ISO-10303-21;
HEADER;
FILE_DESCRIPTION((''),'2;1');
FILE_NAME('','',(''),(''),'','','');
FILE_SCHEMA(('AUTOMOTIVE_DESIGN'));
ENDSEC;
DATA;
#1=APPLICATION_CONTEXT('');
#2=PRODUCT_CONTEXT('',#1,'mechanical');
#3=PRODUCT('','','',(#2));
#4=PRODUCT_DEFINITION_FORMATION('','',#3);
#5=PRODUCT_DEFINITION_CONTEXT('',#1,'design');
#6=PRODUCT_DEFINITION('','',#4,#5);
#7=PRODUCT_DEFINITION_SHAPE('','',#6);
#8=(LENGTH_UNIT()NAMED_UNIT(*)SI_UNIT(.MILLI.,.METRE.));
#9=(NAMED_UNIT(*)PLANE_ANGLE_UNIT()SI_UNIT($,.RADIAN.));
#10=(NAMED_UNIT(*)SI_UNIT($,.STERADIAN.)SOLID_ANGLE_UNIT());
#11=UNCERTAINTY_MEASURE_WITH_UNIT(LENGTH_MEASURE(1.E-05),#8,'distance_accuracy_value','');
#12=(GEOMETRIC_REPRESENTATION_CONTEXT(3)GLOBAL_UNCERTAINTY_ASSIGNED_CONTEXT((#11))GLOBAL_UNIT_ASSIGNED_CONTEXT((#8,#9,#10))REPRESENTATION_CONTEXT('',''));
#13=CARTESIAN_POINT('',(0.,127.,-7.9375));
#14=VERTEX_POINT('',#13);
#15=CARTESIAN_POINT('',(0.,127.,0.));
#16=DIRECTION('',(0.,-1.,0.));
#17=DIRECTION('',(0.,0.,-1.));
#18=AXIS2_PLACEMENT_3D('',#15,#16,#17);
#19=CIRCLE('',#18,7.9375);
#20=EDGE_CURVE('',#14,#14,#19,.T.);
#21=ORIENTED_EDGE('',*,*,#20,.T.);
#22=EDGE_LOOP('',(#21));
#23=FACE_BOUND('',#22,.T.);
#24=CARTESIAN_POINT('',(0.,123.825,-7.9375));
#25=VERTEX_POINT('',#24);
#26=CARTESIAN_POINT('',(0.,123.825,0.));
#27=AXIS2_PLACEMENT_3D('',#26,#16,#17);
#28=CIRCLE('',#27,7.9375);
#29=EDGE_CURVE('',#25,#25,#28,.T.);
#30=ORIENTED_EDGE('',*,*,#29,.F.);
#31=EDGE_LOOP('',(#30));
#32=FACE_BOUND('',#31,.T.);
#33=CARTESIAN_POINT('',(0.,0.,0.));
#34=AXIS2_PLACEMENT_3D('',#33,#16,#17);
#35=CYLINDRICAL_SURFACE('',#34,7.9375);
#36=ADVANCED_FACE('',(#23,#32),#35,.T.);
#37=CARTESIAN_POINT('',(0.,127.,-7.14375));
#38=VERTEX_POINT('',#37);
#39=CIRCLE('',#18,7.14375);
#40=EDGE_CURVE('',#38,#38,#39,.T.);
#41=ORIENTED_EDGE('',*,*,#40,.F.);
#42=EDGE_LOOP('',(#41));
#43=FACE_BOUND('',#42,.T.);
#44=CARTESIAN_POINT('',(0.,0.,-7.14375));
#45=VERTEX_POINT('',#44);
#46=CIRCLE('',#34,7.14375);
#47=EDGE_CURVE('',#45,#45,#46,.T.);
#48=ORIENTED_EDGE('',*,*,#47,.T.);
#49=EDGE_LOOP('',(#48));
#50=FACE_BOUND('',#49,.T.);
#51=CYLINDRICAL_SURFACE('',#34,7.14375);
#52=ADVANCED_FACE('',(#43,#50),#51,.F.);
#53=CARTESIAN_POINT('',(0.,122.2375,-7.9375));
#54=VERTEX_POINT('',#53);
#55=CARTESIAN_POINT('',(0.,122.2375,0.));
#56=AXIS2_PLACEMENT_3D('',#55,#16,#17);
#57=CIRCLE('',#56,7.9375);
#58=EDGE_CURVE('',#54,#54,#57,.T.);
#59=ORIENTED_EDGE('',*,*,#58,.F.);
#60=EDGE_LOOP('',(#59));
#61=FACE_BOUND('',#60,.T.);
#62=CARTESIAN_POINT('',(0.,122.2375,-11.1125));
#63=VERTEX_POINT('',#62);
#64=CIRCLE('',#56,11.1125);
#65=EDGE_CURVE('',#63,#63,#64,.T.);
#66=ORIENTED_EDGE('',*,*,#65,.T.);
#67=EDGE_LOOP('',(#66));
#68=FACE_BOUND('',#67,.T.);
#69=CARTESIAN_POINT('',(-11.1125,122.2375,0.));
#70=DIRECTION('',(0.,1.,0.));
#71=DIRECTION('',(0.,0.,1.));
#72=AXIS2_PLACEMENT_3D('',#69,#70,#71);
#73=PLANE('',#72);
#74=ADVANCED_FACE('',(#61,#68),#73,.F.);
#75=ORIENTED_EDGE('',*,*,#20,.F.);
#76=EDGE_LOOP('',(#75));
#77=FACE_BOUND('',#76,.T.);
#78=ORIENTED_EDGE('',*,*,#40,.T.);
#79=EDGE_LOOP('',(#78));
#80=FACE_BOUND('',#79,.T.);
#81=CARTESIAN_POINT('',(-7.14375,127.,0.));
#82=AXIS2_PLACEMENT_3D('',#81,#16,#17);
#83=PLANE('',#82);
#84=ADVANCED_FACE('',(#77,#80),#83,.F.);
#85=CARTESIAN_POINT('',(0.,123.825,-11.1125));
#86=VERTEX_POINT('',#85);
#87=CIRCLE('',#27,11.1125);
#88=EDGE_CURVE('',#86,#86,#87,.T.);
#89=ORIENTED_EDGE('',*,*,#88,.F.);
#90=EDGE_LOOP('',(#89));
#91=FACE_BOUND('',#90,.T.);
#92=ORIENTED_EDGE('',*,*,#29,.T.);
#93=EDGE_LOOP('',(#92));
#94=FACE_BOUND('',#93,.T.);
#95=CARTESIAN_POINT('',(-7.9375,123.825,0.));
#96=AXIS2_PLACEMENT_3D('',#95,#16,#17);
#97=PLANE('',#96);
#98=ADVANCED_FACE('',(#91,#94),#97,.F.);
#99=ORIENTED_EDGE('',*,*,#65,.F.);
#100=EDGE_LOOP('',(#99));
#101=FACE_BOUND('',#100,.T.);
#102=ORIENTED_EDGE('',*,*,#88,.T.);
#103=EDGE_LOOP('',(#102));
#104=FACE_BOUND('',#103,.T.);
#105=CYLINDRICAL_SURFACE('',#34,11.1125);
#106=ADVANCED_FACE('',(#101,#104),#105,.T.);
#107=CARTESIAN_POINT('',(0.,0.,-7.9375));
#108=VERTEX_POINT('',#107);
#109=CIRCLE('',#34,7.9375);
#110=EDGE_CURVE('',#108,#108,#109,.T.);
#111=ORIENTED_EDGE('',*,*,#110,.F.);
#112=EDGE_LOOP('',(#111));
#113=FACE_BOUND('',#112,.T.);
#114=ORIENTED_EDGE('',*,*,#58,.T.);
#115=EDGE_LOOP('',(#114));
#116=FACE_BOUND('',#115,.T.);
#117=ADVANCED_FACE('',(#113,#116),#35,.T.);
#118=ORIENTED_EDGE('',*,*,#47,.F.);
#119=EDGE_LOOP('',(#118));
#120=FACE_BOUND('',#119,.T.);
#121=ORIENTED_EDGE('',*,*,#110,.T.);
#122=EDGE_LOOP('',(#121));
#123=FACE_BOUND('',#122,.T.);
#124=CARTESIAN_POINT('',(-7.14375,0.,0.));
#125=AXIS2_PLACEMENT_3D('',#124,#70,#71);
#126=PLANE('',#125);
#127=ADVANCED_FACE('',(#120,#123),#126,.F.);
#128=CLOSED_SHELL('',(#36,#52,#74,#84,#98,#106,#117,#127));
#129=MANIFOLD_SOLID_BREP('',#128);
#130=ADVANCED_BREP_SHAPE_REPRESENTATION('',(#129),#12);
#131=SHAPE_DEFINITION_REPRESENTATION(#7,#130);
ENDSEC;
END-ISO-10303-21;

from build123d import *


with BuildPart() as part:
    # Sketch2 → Revolve1 (revolve)
    with BuildSketch(Plane.XY, mode=Mode.PRIVATE) as revolve1_sk:
        Polygon((-7.14375, 0), (-7.14375, 127), (-7.9375, 127), (-7.9375, 123.825), (-11.1125, 123.825), (-11.1125, 122.2375), (-7.9375, 122.2375), (-7.9375, 0), align=None)
    revolve(revolve1_sk.sketch.rotate(Axis((0, 0, 0), (0, 1, 0)), 270), axis=Axis((0, 0, 0), (0, 1, 0)))


solid = part.part
